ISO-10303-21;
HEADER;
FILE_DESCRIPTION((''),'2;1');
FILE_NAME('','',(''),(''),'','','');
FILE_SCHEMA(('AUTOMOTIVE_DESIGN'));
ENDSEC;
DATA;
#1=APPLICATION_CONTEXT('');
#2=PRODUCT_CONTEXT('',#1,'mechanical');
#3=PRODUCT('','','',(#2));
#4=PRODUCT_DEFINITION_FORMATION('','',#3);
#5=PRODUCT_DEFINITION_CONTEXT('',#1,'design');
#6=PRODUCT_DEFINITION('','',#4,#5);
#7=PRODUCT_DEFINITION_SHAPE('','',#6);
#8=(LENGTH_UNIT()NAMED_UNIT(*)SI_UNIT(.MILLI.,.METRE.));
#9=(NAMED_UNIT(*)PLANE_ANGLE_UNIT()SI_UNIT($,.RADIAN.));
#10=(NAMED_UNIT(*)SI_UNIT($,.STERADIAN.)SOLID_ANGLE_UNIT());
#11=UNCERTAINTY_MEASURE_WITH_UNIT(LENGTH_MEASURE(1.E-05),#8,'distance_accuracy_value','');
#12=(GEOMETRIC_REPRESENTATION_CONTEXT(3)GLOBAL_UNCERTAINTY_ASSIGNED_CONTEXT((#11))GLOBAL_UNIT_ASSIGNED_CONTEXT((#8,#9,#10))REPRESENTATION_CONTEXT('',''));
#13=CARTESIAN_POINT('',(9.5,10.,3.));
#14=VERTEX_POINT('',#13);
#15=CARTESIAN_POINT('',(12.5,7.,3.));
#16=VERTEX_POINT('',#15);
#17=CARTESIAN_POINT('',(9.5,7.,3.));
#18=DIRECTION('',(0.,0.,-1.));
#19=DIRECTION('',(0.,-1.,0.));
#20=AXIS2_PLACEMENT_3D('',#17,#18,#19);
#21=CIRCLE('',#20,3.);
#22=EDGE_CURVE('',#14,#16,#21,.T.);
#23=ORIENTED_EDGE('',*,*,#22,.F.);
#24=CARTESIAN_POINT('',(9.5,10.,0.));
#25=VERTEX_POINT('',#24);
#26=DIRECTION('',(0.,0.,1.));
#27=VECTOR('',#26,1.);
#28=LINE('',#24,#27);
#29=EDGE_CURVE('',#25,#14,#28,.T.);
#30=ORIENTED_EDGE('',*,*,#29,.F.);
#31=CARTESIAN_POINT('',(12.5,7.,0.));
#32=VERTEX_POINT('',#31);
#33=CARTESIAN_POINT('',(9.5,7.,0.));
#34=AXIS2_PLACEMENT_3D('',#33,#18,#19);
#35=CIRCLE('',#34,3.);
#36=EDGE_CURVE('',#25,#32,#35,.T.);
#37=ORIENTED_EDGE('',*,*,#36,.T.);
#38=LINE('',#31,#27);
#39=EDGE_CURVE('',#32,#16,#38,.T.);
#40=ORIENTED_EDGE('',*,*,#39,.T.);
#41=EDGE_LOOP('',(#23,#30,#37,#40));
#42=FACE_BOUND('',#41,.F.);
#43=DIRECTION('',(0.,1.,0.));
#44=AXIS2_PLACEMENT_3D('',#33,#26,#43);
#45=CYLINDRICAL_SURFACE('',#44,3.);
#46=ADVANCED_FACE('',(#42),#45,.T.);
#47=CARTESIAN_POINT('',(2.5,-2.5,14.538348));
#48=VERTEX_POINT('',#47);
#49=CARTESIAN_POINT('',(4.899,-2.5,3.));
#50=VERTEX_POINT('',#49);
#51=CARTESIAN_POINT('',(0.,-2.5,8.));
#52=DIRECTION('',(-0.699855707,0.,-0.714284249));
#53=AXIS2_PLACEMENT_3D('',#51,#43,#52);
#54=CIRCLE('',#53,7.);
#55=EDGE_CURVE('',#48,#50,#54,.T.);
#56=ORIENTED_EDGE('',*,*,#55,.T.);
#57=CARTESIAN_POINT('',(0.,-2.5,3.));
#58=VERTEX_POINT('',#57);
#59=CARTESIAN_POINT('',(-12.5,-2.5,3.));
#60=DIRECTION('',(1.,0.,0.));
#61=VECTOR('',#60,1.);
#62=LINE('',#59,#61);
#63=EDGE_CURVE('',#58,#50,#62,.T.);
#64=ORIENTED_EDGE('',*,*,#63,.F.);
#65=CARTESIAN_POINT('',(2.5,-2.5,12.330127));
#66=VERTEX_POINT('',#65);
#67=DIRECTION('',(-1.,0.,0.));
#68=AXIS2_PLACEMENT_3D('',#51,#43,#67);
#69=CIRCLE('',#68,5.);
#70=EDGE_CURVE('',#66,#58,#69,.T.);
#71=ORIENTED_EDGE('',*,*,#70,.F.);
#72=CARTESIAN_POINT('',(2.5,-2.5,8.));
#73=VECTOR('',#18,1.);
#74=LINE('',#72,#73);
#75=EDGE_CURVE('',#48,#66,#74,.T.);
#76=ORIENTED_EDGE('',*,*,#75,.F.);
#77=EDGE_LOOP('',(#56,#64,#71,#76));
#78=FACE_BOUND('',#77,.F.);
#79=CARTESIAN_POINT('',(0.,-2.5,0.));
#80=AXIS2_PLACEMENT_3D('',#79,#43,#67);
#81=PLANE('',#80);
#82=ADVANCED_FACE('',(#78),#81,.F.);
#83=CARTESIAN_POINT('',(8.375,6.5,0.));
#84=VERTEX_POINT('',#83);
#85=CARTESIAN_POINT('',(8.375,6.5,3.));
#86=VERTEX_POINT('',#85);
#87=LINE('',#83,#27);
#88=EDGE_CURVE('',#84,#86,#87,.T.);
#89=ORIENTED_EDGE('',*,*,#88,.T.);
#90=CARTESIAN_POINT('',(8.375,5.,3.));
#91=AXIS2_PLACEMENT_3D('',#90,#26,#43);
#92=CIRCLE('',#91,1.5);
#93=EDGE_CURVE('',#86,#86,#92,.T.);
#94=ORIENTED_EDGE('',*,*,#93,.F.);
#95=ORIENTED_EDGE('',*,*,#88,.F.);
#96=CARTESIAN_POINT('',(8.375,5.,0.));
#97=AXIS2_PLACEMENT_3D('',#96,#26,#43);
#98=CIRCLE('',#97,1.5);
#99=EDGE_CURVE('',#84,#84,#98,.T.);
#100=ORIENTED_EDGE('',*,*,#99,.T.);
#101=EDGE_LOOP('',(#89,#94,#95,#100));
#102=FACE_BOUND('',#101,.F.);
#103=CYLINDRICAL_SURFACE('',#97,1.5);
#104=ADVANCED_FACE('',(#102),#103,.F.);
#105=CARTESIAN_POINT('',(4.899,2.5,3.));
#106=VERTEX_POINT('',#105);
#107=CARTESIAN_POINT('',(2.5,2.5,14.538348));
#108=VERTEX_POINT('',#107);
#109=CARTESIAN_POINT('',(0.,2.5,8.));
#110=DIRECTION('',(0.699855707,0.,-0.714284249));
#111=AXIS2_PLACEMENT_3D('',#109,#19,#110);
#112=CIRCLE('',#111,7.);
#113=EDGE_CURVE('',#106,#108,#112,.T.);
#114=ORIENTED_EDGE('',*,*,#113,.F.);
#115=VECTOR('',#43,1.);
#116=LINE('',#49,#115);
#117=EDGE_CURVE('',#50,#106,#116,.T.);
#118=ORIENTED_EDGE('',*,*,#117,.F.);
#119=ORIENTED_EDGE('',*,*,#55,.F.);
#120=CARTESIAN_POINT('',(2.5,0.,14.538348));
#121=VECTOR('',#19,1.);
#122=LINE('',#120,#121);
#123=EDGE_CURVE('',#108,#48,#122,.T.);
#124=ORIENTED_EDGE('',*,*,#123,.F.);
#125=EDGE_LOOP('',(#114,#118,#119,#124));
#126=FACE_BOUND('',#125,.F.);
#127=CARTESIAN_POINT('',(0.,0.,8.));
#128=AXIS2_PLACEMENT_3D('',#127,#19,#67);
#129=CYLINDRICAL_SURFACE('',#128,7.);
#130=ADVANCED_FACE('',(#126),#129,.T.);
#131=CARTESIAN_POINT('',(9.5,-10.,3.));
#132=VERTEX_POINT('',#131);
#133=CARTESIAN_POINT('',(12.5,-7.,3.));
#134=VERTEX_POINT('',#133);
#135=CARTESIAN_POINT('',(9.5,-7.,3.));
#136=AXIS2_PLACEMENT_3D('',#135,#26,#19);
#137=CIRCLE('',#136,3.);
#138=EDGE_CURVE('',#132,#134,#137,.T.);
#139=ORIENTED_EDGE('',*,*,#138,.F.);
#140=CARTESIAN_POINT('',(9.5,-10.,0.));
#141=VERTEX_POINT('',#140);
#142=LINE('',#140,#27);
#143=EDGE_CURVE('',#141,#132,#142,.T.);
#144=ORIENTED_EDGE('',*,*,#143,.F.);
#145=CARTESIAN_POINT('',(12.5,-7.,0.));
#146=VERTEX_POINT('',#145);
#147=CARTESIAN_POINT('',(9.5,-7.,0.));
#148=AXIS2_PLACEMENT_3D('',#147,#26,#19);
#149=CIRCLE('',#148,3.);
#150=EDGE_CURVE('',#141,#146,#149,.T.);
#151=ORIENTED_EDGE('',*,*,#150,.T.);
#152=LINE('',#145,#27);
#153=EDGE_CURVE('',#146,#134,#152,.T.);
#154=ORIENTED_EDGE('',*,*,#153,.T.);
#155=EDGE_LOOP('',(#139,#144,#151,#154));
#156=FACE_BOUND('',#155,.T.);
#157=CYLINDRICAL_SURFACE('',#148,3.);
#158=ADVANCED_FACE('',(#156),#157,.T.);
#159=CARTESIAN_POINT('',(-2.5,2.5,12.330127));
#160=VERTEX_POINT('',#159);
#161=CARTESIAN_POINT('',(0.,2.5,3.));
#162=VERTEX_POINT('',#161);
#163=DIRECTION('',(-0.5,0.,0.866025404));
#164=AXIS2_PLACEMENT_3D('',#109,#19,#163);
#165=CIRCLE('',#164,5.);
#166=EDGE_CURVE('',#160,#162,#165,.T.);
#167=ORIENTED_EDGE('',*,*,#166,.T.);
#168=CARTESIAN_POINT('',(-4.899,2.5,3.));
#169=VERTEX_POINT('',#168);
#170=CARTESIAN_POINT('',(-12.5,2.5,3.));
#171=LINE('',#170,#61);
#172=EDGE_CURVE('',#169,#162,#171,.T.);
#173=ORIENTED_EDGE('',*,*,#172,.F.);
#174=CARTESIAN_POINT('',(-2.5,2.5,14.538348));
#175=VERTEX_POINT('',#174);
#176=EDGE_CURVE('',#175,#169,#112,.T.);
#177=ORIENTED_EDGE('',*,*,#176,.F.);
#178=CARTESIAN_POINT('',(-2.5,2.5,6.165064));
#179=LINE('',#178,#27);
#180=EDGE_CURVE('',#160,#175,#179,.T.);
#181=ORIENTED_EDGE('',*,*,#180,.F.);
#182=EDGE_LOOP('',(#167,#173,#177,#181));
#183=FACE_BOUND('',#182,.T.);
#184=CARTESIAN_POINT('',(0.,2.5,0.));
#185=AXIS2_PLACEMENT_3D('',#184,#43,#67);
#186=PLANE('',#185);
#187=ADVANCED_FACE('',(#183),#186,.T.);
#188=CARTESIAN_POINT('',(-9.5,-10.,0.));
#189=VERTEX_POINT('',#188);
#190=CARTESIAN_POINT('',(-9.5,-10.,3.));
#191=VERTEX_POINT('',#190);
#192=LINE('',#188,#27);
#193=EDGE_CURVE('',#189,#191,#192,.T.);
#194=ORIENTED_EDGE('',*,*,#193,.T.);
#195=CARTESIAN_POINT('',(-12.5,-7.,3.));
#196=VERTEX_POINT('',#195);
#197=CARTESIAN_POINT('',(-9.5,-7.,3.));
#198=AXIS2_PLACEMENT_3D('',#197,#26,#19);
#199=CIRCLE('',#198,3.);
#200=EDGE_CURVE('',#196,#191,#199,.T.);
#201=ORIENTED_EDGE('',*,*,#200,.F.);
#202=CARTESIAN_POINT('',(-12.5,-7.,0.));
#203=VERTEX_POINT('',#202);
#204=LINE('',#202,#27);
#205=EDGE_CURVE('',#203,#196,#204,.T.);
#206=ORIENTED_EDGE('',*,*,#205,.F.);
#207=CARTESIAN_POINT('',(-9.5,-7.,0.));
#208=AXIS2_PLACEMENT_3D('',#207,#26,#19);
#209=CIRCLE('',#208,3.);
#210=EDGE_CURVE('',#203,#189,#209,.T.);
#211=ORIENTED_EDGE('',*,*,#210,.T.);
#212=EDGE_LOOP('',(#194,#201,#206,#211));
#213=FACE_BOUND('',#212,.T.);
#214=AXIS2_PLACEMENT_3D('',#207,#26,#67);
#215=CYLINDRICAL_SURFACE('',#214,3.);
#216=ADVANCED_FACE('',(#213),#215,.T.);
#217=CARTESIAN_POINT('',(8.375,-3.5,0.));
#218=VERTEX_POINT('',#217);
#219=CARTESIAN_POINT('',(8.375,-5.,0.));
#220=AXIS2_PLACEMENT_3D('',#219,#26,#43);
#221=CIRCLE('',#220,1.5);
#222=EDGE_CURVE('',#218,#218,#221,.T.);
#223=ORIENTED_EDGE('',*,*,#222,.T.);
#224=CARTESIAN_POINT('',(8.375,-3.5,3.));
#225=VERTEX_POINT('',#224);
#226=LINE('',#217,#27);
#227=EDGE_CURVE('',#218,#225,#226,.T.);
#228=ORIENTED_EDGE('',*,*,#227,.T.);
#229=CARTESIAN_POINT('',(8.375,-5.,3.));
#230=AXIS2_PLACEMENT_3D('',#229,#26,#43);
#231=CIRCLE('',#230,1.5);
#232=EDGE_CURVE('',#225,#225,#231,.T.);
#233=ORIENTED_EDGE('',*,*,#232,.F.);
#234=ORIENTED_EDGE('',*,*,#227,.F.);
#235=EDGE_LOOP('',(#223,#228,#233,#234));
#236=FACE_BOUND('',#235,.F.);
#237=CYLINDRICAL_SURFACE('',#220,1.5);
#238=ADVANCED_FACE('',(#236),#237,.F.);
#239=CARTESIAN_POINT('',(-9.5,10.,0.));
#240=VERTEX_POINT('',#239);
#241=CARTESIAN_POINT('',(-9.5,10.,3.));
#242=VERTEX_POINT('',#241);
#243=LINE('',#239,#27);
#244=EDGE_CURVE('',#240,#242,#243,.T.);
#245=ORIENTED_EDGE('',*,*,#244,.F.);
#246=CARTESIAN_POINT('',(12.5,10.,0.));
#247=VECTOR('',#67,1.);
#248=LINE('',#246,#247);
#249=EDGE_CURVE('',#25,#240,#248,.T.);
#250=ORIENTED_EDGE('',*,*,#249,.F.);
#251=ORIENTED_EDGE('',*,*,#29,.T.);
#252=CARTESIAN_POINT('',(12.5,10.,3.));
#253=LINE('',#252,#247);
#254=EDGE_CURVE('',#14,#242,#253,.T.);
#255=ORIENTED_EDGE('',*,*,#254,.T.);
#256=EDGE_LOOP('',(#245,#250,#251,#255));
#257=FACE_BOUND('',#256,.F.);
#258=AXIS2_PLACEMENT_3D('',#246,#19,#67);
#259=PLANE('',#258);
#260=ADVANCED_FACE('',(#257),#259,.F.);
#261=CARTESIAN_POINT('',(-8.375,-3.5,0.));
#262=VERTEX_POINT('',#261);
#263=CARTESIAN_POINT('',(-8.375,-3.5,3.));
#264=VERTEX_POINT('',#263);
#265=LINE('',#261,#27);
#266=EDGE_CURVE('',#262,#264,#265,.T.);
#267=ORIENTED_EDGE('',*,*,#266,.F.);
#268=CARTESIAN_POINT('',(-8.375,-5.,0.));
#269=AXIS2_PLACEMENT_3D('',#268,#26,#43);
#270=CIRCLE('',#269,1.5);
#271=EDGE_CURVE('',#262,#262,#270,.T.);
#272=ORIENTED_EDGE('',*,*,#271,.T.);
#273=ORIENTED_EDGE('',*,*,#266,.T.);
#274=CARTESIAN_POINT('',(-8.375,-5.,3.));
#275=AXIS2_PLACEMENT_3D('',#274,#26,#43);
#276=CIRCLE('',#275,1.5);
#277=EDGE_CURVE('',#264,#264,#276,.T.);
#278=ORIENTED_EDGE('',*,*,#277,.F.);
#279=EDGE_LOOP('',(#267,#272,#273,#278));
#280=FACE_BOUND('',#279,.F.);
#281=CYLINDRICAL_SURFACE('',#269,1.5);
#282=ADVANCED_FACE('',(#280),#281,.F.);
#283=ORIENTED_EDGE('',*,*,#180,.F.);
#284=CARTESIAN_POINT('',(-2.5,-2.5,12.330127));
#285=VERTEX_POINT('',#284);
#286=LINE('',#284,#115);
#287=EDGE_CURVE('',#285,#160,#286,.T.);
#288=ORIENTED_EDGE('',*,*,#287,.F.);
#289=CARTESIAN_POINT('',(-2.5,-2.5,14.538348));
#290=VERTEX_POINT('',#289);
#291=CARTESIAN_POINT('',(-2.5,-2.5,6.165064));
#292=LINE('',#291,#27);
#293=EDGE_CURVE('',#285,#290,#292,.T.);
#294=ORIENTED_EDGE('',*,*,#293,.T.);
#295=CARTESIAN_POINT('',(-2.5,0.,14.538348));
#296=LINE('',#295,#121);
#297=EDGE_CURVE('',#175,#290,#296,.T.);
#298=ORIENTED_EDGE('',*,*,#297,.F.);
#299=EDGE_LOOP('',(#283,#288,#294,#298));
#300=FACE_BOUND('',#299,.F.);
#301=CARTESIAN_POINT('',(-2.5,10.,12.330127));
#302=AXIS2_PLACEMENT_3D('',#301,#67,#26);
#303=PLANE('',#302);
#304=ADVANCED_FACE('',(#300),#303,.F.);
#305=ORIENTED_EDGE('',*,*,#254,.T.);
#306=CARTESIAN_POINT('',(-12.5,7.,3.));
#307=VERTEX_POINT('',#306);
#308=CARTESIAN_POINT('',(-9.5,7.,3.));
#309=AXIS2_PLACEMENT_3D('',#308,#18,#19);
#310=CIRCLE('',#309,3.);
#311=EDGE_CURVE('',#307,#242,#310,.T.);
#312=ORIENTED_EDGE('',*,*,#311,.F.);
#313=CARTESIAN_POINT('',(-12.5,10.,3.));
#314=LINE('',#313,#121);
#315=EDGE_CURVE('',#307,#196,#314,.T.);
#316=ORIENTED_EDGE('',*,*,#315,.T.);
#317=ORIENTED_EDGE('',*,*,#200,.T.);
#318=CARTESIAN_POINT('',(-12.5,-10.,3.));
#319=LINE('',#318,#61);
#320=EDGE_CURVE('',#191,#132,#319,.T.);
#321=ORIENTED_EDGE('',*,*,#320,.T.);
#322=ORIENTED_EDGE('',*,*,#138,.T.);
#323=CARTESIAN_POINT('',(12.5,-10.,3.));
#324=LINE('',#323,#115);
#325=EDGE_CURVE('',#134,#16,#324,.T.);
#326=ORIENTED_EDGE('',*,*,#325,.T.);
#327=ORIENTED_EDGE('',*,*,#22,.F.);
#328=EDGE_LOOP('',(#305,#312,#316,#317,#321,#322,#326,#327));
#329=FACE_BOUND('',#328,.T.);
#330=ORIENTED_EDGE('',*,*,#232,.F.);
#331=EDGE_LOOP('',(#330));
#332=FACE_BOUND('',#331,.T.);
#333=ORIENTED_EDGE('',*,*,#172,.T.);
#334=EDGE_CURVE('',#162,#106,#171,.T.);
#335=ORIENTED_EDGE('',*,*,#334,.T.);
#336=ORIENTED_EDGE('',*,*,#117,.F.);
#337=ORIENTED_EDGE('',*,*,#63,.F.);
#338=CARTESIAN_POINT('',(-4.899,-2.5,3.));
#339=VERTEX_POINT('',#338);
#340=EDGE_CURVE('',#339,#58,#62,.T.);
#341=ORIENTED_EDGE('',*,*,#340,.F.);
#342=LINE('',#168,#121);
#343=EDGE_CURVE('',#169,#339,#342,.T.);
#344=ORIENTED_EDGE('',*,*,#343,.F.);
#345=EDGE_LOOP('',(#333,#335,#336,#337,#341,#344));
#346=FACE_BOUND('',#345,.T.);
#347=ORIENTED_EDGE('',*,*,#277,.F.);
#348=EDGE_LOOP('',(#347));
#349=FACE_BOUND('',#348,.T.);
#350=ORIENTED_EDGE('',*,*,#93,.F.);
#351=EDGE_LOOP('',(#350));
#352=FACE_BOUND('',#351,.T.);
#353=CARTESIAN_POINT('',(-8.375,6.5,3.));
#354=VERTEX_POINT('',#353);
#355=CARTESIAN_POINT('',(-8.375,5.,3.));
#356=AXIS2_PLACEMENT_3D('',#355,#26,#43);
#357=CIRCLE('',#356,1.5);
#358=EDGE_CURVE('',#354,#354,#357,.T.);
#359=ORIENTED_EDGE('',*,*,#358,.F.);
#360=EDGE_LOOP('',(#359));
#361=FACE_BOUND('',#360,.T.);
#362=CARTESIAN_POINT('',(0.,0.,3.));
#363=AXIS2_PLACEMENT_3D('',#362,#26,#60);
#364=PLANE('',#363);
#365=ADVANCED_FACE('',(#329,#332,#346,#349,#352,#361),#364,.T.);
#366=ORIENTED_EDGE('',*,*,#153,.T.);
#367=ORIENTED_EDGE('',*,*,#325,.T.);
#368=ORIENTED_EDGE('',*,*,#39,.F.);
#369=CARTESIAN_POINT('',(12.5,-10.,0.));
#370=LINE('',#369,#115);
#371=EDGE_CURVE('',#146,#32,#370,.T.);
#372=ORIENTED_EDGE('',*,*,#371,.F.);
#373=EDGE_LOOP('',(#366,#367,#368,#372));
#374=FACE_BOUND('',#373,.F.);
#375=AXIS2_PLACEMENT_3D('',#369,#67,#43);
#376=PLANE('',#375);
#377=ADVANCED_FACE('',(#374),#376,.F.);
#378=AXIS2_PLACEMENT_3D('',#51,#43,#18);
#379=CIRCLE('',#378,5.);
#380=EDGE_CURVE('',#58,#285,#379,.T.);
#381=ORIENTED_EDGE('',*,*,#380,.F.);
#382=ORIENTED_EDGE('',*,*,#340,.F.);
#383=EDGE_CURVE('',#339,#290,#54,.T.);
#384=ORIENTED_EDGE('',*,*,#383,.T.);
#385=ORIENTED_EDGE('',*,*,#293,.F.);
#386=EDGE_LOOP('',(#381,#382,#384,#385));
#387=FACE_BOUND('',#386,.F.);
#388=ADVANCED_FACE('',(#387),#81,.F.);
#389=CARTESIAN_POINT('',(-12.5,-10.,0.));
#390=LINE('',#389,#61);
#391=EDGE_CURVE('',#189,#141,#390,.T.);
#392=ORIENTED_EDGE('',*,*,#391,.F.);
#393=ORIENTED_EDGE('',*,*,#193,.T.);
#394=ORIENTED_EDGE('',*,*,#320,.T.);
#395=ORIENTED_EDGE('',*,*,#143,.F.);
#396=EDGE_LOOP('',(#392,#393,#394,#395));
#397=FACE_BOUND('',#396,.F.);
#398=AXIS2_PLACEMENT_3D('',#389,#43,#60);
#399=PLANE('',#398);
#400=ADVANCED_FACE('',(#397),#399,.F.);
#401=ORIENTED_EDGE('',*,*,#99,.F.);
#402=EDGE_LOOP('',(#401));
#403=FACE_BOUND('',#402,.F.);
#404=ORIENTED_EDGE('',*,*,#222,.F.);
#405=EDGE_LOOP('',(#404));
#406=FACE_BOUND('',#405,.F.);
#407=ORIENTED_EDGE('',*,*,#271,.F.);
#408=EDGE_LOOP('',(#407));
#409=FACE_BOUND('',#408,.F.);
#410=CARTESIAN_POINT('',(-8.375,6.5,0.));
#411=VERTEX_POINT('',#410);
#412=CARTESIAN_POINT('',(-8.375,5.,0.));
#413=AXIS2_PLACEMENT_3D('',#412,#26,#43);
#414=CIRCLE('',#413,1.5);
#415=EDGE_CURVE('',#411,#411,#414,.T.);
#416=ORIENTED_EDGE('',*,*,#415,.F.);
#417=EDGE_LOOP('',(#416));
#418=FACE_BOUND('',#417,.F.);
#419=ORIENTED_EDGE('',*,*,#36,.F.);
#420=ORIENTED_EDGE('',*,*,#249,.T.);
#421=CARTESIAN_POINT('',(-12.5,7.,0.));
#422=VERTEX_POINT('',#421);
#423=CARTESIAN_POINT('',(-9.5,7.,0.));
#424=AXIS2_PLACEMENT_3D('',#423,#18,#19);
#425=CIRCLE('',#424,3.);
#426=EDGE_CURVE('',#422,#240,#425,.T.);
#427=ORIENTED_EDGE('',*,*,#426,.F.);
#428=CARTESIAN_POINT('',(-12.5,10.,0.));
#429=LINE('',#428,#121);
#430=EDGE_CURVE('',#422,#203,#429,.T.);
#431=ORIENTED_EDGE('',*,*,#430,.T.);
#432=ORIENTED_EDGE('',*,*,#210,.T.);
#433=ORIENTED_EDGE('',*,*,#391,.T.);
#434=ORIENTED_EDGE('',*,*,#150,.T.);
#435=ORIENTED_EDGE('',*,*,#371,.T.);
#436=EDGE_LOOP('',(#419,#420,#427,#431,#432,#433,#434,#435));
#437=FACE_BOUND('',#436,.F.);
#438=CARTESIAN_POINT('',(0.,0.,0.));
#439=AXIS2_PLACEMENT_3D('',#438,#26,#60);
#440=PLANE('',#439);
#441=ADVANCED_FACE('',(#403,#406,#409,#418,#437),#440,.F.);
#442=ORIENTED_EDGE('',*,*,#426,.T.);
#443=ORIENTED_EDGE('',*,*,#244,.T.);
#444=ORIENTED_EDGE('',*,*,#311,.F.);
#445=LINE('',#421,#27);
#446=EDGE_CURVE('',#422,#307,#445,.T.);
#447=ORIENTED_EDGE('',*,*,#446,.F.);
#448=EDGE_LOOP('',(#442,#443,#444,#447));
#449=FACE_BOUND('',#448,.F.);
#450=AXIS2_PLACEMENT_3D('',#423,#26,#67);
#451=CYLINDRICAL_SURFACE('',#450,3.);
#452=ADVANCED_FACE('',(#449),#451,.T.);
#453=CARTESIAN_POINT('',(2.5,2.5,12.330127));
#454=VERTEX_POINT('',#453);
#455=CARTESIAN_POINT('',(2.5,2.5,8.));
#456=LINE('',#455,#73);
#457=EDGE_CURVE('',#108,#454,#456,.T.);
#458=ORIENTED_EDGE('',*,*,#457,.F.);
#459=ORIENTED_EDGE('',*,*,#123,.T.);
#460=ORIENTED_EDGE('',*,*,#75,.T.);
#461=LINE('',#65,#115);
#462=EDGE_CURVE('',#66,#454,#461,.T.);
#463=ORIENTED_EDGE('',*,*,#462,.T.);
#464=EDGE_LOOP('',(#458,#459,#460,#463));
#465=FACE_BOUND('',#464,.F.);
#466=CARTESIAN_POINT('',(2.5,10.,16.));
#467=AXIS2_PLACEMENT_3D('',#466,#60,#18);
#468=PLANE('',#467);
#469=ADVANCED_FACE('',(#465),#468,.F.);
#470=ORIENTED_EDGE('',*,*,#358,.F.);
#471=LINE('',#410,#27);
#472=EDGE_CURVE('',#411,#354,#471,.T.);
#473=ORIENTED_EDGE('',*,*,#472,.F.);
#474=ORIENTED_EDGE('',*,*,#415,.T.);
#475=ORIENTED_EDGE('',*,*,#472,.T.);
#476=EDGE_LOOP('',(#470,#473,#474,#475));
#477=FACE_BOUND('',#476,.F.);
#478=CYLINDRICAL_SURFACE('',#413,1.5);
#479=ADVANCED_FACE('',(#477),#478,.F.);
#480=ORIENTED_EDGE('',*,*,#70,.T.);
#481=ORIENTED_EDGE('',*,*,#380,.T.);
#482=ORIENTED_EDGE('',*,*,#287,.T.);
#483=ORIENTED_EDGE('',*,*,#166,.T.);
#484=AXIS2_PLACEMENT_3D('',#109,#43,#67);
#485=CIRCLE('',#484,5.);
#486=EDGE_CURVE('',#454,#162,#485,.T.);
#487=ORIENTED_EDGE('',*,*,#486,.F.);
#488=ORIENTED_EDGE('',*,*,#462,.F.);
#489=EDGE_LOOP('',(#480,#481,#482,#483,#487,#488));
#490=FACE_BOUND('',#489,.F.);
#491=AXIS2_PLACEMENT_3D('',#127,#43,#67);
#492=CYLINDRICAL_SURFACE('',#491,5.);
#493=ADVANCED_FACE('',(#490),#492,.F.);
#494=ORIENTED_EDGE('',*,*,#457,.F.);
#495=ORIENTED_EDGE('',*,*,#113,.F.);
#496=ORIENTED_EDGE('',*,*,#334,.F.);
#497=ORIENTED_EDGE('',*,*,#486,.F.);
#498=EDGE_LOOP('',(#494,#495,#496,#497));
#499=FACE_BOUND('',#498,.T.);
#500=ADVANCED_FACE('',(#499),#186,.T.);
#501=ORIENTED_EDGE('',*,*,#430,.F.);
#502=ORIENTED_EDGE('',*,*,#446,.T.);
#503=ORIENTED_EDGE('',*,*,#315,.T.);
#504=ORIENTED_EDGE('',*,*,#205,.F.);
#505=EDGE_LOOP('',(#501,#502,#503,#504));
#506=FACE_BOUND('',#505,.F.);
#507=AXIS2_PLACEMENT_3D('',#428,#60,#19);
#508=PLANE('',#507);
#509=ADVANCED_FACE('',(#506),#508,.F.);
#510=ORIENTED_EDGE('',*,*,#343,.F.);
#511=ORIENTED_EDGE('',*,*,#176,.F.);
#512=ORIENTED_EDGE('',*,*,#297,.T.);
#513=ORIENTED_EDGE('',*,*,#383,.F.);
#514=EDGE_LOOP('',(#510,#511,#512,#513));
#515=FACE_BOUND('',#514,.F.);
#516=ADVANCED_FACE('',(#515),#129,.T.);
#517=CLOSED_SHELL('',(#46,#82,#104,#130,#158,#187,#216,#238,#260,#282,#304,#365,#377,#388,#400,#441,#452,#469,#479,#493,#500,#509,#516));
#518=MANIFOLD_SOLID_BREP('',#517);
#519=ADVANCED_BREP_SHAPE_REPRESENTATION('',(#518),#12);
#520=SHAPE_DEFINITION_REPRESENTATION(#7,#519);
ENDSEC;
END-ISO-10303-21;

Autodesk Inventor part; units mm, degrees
ref_plane "YZ Plane" through (0, 0, 0) normal (1, 0, 0) x (0, 1, 0)
ref_plane "XZ Plane" through (0, 0, 0) normal (0, 1, 0) x (-1, 0, 0)
ref_plane "XY Plane" through (0, 0, 0) normal (0, 0, 1) x (1, 0, 0)
sketch "Szkic1" plane through (0, 0, 0) normal (0, 0, 1) x (1, 0, 0)
  line L0 (-12.5, -10) -> (12.5, -10)
  line L1 (12.5, -10) -> (12.5, 10)
  line L2 (12.5, 10) -> (-12.5, 10)
  line L3 (-12.5, 10) -> (-12.5, -10)
  line L4 (-12.5, -10) -> (12.5, 10) construction
  line L5 (12.5, -10) -> (-12.5, 10) construction
  point P0 (0, 0)
  dimension "d0" = 25
  dimension "d1" = 20
extrude "Wyciągnięcie proste1" add sketch "Szkic1" along normal blind 3
sketch "Szkic2" plane through (0, 0, 0) normal (0, 1, 0) x (-1, 0, 0)
  circle A0 centre (0, 8) radius 7
  line L0 (12.5, 3) -> (-12.5, 3) projected
  line L1 (12.5, 0) -> (-12.5, 0) projected
  circle A1 centre (0, 8) radius 5
  line L2 (4.899, 3) -> (-4.899, 3)
  point P0 (0, 0)
  point P1 (0, 0)
  dimension "d4" = 14
  dimension "d5" = 10
extrude "Wyciągnięcie proste2" add sketch "Szkic2" along normal mid plane 5 contours A0 L0 picked at (6.263, 8.5684)
sketch "Szkic3" plane through (-12.5, 10, 0) normal (0, 1, 0) x (1, 0, 0)
  line L0 (10, -16) -> (15, -16)
  line L1 (15, -16) -> (15, -12)
  line L2 (15, -12) -> (10, -12)
  line L3 (10, -12) -> (10, -16)
  line L4 (10, -16) -> (15, -12) construction
  line L5 (15, -16) -> (10, -12) construction
  circle A0 centre (12.5, -8) radius 5 projected
  line L6 (25, 0) -> (0, 0) projected
  point P0 (12.5, 0)
  point P1 (12.5, -14)
  point P2 (12.5, -14)
  point P3 (12.5, 0)
  dimension "d8" = 5
  dimension "d9" = 4
  dimension "d10" = 6
extrude "Wyciągnięcie proste3" cut sketch "Szkic3" against normal blind 20 contours L3 A0 L1 L0 | L3 L2 L1 A0 picked at (12.3258, -12.3242)
sketch "Szkic5" plane through (0, 0, 0) normal (0, 0, -1) x (-1, 0, 0)
  line L0 (12.5, 10) -> (12.5, -10) projected
  line L1 (-12.5, 10) -> (12.5, 10) projected
  line L2 (-12.5, -10) -> (-12.5, 10) projected
  line L3 (-12.5, 0) -> (12.5, 0) construction
  line L4 (0, 10) -> (0, -10) construction
  line L5 (12.5, -10) -> (-12.5, -10) projected
  point P0 (0, 0)
  point P1 (8.375, 5)
  point P2 (8.375, -5)
  point P3 (-8.375, 5)
  point P4 (-8.375, -5)
  dimension "d22" = 4.125
  dimension "d23" = 5
hole "Otwór2" at (-8.375, 5, 0) at (-8.375, -5, 0) at (8.375, 5, 0) at (8.375, -5, 0) direction (0, 0, 1) diameter 3 end through all
fillet "Zaokrąglenie1" radius 3 4 edges at (-12.5, -10, 1.5) (-12.5, 10, 1.5) (12.5, 10, 1.5) (12.5, -10, 1.5)
properties part number "uchwyt_przewody"
